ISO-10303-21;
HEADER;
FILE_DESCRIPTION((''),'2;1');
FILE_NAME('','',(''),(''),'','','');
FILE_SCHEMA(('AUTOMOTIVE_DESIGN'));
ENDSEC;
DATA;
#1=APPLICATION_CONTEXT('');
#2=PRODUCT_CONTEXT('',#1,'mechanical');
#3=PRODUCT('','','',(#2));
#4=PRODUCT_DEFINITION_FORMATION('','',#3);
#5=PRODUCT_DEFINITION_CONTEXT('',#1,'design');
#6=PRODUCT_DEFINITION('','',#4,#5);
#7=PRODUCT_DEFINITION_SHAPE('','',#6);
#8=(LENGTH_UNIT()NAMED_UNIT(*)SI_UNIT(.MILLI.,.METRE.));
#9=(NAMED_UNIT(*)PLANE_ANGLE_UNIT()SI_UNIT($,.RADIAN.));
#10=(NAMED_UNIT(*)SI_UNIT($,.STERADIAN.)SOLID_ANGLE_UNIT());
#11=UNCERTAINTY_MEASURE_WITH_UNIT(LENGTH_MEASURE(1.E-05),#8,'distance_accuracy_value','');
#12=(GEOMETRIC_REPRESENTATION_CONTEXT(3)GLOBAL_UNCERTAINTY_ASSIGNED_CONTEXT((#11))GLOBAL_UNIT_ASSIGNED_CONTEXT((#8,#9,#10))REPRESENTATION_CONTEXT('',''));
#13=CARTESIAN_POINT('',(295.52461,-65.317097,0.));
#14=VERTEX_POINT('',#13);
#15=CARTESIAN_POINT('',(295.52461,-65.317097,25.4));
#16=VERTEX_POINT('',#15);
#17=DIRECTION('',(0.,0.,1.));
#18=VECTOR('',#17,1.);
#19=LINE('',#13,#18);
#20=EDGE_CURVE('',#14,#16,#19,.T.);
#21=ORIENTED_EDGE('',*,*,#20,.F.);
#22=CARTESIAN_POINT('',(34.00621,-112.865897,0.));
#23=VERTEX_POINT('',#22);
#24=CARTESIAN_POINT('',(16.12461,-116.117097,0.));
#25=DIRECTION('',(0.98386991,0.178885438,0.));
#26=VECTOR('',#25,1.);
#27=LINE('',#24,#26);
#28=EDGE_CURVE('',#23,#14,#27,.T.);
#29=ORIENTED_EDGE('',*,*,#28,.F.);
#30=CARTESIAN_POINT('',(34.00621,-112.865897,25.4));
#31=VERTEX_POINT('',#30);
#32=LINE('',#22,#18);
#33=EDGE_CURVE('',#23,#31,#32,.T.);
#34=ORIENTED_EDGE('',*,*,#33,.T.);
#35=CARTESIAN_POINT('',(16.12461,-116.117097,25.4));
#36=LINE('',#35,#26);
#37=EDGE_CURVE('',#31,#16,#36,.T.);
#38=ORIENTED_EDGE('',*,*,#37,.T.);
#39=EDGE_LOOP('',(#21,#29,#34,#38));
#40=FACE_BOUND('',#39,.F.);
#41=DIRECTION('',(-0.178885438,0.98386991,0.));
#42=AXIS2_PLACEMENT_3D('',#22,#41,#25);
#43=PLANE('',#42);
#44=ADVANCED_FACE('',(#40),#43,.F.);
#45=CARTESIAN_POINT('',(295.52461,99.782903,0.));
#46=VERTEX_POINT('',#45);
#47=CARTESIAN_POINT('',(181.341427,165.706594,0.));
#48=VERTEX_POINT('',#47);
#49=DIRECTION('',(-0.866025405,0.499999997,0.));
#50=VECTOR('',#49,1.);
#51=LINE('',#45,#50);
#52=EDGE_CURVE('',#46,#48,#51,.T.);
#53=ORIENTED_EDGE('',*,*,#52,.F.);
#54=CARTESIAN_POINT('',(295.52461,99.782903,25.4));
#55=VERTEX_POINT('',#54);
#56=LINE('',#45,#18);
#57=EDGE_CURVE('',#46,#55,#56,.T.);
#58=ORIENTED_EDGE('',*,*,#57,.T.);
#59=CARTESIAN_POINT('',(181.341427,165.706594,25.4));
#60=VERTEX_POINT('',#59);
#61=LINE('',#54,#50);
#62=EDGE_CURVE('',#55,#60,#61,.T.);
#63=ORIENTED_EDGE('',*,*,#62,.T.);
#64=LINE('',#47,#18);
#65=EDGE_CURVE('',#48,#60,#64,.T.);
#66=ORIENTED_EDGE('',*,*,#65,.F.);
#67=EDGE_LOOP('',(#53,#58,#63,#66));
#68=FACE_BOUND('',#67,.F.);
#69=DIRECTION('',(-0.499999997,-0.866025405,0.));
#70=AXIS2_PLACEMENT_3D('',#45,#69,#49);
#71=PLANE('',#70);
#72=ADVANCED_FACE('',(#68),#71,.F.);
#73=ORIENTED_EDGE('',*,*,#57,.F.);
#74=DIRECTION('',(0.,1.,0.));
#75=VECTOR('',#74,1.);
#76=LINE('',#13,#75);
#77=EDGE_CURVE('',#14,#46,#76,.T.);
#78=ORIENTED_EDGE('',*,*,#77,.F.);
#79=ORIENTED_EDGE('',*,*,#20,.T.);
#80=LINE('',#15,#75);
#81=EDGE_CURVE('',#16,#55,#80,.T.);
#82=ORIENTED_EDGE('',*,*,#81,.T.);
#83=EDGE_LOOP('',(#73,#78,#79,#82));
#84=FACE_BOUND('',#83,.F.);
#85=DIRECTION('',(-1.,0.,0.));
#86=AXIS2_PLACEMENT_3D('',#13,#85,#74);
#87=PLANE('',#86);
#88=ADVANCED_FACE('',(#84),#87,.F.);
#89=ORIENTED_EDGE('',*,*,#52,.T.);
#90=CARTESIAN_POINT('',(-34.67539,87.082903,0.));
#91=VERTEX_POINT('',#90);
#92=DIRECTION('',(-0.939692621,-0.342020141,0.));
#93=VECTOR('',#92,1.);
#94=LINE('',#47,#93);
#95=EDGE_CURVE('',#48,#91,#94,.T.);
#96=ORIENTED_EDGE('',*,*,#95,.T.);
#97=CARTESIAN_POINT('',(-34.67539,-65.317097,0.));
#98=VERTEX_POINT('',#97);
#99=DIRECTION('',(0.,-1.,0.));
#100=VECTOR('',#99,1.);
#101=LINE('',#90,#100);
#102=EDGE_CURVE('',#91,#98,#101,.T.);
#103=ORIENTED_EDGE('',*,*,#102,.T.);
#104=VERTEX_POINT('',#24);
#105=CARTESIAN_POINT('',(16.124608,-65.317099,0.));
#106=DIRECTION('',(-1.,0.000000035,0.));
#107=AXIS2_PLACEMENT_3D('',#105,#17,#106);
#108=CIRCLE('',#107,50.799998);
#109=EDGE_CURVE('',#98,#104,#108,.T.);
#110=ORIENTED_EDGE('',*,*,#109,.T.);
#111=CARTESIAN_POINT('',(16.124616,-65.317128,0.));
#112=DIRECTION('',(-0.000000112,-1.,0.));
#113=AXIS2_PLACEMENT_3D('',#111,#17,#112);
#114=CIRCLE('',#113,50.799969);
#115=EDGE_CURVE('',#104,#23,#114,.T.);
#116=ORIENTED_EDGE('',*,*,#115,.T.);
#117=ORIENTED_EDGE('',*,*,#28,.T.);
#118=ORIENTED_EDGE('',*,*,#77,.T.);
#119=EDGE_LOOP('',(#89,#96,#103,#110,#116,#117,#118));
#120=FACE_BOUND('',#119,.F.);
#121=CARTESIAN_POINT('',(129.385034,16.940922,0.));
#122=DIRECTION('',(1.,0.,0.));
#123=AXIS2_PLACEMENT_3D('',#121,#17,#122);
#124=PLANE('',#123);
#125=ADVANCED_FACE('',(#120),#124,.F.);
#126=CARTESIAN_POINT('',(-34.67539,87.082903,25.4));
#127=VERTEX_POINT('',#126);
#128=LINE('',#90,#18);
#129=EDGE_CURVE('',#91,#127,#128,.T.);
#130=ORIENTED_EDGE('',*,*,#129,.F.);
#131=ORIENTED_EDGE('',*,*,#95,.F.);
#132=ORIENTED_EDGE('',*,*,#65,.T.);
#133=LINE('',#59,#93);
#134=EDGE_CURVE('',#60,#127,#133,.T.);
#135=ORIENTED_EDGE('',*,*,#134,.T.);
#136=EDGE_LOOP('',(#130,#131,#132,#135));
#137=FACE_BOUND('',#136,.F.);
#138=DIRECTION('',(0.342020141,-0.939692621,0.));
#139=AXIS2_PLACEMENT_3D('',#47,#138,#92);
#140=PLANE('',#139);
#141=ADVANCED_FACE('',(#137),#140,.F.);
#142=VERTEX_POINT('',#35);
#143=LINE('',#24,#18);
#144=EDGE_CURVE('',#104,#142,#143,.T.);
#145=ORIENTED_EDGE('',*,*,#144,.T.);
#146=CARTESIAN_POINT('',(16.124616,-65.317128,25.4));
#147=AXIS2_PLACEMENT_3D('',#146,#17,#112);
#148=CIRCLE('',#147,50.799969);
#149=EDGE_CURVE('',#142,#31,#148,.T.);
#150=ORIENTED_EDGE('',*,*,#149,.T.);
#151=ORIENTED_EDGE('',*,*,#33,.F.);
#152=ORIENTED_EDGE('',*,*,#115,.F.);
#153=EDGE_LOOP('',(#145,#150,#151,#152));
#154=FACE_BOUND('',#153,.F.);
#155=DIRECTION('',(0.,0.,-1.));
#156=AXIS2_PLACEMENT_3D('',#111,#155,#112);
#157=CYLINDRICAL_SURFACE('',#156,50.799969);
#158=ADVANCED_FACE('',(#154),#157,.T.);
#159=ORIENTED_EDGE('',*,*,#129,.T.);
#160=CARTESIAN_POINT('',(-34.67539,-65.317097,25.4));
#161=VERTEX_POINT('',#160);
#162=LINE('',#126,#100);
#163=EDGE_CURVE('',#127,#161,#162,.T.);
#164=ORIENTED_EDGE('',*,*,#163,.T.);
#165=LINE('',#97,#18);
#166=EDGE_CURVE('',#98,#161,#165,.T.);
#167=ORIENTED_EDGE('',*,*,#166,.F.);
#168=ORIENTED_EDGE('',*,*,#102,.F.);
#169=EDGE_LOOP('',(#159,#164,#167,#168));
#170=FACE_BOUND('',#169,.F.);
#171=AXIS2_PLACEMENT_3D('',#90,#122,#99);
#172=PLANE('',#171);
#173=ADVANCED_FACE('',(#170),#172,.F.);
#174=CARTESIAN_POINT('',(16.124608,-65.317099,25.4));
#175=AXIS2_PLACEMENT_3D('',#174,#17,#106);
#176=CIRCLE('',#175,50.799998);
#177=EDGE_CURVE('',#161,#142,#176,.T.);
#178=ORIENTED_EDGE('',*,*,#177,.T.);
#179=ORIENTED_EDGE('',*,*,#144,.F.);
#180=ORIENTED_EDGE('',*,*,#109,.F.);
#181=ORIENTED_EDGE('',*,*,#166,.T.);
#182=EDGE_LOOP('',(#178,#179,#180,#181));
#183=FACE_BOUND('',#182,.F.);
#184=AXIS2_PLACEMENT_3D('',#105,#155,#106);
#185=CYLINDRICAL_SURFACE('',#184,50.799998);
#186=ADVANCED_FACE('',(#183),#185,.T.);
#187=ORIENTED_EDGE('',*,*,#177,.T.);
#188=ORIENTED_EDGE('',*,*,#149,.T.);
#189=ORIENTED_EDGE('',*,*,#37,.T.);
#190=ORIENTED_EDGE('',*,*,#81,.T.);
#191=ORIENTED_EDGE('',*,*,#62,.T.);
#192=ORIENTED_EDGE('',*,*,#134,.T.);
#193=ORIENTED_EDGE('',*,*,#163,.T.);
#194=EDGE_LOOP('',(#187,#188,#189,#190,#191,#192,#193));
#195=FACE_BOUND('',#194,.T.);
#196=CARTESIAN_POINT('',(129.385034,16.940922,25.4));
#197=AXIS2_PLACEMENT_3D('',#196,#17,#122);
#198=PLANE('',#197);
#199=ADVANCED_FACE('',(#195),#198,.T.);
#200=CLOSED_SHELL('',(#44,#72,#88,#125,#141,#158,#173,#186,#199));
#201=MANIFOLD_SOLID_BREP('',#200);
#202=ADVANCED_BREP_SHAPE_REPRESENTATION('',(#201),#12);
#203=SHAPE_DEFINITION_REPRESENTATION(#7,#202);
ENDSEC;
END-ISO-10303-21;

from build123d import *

# Parameters (mm, degrees)
F1_DEPTH = 25.4


with BuildPart() as f1:
    # F0 (on Top) → F1 (new body)
    with BuildSketch(Plane.XY):
        with BuildLine():
            Line((34.00621, -112.865897), (295.52461, -65.317097))
            Line((295.52461, -65.317097), (295.52461, 99.782903))
            Line((295.52461, 99.782903), (181.341427, 165.706594))
            Line((181.341427, 165.706594), (-34.67539, 87.082903))
            Line((-34.67539, 87.082903), (-34.67539, -65.317097))
            ThreePointArc((-34.67539, -65.317097), (-19.796415, -101.238122), (16.12461, -116.117097))
            Line((16.12461, -116.117097), (34.00621, -112.865897))
        make_face()
        with BuildLine():
            ThreePointArc((16.12461, -116.117097), (25.21199, -115.297689), (34.00621, -112.865897))
            Line((34.00621, -112.865897), (16.12461, -116.117097))
        make_face()
    extrude(amount=F1_DEPTH)


solid = f1.part
